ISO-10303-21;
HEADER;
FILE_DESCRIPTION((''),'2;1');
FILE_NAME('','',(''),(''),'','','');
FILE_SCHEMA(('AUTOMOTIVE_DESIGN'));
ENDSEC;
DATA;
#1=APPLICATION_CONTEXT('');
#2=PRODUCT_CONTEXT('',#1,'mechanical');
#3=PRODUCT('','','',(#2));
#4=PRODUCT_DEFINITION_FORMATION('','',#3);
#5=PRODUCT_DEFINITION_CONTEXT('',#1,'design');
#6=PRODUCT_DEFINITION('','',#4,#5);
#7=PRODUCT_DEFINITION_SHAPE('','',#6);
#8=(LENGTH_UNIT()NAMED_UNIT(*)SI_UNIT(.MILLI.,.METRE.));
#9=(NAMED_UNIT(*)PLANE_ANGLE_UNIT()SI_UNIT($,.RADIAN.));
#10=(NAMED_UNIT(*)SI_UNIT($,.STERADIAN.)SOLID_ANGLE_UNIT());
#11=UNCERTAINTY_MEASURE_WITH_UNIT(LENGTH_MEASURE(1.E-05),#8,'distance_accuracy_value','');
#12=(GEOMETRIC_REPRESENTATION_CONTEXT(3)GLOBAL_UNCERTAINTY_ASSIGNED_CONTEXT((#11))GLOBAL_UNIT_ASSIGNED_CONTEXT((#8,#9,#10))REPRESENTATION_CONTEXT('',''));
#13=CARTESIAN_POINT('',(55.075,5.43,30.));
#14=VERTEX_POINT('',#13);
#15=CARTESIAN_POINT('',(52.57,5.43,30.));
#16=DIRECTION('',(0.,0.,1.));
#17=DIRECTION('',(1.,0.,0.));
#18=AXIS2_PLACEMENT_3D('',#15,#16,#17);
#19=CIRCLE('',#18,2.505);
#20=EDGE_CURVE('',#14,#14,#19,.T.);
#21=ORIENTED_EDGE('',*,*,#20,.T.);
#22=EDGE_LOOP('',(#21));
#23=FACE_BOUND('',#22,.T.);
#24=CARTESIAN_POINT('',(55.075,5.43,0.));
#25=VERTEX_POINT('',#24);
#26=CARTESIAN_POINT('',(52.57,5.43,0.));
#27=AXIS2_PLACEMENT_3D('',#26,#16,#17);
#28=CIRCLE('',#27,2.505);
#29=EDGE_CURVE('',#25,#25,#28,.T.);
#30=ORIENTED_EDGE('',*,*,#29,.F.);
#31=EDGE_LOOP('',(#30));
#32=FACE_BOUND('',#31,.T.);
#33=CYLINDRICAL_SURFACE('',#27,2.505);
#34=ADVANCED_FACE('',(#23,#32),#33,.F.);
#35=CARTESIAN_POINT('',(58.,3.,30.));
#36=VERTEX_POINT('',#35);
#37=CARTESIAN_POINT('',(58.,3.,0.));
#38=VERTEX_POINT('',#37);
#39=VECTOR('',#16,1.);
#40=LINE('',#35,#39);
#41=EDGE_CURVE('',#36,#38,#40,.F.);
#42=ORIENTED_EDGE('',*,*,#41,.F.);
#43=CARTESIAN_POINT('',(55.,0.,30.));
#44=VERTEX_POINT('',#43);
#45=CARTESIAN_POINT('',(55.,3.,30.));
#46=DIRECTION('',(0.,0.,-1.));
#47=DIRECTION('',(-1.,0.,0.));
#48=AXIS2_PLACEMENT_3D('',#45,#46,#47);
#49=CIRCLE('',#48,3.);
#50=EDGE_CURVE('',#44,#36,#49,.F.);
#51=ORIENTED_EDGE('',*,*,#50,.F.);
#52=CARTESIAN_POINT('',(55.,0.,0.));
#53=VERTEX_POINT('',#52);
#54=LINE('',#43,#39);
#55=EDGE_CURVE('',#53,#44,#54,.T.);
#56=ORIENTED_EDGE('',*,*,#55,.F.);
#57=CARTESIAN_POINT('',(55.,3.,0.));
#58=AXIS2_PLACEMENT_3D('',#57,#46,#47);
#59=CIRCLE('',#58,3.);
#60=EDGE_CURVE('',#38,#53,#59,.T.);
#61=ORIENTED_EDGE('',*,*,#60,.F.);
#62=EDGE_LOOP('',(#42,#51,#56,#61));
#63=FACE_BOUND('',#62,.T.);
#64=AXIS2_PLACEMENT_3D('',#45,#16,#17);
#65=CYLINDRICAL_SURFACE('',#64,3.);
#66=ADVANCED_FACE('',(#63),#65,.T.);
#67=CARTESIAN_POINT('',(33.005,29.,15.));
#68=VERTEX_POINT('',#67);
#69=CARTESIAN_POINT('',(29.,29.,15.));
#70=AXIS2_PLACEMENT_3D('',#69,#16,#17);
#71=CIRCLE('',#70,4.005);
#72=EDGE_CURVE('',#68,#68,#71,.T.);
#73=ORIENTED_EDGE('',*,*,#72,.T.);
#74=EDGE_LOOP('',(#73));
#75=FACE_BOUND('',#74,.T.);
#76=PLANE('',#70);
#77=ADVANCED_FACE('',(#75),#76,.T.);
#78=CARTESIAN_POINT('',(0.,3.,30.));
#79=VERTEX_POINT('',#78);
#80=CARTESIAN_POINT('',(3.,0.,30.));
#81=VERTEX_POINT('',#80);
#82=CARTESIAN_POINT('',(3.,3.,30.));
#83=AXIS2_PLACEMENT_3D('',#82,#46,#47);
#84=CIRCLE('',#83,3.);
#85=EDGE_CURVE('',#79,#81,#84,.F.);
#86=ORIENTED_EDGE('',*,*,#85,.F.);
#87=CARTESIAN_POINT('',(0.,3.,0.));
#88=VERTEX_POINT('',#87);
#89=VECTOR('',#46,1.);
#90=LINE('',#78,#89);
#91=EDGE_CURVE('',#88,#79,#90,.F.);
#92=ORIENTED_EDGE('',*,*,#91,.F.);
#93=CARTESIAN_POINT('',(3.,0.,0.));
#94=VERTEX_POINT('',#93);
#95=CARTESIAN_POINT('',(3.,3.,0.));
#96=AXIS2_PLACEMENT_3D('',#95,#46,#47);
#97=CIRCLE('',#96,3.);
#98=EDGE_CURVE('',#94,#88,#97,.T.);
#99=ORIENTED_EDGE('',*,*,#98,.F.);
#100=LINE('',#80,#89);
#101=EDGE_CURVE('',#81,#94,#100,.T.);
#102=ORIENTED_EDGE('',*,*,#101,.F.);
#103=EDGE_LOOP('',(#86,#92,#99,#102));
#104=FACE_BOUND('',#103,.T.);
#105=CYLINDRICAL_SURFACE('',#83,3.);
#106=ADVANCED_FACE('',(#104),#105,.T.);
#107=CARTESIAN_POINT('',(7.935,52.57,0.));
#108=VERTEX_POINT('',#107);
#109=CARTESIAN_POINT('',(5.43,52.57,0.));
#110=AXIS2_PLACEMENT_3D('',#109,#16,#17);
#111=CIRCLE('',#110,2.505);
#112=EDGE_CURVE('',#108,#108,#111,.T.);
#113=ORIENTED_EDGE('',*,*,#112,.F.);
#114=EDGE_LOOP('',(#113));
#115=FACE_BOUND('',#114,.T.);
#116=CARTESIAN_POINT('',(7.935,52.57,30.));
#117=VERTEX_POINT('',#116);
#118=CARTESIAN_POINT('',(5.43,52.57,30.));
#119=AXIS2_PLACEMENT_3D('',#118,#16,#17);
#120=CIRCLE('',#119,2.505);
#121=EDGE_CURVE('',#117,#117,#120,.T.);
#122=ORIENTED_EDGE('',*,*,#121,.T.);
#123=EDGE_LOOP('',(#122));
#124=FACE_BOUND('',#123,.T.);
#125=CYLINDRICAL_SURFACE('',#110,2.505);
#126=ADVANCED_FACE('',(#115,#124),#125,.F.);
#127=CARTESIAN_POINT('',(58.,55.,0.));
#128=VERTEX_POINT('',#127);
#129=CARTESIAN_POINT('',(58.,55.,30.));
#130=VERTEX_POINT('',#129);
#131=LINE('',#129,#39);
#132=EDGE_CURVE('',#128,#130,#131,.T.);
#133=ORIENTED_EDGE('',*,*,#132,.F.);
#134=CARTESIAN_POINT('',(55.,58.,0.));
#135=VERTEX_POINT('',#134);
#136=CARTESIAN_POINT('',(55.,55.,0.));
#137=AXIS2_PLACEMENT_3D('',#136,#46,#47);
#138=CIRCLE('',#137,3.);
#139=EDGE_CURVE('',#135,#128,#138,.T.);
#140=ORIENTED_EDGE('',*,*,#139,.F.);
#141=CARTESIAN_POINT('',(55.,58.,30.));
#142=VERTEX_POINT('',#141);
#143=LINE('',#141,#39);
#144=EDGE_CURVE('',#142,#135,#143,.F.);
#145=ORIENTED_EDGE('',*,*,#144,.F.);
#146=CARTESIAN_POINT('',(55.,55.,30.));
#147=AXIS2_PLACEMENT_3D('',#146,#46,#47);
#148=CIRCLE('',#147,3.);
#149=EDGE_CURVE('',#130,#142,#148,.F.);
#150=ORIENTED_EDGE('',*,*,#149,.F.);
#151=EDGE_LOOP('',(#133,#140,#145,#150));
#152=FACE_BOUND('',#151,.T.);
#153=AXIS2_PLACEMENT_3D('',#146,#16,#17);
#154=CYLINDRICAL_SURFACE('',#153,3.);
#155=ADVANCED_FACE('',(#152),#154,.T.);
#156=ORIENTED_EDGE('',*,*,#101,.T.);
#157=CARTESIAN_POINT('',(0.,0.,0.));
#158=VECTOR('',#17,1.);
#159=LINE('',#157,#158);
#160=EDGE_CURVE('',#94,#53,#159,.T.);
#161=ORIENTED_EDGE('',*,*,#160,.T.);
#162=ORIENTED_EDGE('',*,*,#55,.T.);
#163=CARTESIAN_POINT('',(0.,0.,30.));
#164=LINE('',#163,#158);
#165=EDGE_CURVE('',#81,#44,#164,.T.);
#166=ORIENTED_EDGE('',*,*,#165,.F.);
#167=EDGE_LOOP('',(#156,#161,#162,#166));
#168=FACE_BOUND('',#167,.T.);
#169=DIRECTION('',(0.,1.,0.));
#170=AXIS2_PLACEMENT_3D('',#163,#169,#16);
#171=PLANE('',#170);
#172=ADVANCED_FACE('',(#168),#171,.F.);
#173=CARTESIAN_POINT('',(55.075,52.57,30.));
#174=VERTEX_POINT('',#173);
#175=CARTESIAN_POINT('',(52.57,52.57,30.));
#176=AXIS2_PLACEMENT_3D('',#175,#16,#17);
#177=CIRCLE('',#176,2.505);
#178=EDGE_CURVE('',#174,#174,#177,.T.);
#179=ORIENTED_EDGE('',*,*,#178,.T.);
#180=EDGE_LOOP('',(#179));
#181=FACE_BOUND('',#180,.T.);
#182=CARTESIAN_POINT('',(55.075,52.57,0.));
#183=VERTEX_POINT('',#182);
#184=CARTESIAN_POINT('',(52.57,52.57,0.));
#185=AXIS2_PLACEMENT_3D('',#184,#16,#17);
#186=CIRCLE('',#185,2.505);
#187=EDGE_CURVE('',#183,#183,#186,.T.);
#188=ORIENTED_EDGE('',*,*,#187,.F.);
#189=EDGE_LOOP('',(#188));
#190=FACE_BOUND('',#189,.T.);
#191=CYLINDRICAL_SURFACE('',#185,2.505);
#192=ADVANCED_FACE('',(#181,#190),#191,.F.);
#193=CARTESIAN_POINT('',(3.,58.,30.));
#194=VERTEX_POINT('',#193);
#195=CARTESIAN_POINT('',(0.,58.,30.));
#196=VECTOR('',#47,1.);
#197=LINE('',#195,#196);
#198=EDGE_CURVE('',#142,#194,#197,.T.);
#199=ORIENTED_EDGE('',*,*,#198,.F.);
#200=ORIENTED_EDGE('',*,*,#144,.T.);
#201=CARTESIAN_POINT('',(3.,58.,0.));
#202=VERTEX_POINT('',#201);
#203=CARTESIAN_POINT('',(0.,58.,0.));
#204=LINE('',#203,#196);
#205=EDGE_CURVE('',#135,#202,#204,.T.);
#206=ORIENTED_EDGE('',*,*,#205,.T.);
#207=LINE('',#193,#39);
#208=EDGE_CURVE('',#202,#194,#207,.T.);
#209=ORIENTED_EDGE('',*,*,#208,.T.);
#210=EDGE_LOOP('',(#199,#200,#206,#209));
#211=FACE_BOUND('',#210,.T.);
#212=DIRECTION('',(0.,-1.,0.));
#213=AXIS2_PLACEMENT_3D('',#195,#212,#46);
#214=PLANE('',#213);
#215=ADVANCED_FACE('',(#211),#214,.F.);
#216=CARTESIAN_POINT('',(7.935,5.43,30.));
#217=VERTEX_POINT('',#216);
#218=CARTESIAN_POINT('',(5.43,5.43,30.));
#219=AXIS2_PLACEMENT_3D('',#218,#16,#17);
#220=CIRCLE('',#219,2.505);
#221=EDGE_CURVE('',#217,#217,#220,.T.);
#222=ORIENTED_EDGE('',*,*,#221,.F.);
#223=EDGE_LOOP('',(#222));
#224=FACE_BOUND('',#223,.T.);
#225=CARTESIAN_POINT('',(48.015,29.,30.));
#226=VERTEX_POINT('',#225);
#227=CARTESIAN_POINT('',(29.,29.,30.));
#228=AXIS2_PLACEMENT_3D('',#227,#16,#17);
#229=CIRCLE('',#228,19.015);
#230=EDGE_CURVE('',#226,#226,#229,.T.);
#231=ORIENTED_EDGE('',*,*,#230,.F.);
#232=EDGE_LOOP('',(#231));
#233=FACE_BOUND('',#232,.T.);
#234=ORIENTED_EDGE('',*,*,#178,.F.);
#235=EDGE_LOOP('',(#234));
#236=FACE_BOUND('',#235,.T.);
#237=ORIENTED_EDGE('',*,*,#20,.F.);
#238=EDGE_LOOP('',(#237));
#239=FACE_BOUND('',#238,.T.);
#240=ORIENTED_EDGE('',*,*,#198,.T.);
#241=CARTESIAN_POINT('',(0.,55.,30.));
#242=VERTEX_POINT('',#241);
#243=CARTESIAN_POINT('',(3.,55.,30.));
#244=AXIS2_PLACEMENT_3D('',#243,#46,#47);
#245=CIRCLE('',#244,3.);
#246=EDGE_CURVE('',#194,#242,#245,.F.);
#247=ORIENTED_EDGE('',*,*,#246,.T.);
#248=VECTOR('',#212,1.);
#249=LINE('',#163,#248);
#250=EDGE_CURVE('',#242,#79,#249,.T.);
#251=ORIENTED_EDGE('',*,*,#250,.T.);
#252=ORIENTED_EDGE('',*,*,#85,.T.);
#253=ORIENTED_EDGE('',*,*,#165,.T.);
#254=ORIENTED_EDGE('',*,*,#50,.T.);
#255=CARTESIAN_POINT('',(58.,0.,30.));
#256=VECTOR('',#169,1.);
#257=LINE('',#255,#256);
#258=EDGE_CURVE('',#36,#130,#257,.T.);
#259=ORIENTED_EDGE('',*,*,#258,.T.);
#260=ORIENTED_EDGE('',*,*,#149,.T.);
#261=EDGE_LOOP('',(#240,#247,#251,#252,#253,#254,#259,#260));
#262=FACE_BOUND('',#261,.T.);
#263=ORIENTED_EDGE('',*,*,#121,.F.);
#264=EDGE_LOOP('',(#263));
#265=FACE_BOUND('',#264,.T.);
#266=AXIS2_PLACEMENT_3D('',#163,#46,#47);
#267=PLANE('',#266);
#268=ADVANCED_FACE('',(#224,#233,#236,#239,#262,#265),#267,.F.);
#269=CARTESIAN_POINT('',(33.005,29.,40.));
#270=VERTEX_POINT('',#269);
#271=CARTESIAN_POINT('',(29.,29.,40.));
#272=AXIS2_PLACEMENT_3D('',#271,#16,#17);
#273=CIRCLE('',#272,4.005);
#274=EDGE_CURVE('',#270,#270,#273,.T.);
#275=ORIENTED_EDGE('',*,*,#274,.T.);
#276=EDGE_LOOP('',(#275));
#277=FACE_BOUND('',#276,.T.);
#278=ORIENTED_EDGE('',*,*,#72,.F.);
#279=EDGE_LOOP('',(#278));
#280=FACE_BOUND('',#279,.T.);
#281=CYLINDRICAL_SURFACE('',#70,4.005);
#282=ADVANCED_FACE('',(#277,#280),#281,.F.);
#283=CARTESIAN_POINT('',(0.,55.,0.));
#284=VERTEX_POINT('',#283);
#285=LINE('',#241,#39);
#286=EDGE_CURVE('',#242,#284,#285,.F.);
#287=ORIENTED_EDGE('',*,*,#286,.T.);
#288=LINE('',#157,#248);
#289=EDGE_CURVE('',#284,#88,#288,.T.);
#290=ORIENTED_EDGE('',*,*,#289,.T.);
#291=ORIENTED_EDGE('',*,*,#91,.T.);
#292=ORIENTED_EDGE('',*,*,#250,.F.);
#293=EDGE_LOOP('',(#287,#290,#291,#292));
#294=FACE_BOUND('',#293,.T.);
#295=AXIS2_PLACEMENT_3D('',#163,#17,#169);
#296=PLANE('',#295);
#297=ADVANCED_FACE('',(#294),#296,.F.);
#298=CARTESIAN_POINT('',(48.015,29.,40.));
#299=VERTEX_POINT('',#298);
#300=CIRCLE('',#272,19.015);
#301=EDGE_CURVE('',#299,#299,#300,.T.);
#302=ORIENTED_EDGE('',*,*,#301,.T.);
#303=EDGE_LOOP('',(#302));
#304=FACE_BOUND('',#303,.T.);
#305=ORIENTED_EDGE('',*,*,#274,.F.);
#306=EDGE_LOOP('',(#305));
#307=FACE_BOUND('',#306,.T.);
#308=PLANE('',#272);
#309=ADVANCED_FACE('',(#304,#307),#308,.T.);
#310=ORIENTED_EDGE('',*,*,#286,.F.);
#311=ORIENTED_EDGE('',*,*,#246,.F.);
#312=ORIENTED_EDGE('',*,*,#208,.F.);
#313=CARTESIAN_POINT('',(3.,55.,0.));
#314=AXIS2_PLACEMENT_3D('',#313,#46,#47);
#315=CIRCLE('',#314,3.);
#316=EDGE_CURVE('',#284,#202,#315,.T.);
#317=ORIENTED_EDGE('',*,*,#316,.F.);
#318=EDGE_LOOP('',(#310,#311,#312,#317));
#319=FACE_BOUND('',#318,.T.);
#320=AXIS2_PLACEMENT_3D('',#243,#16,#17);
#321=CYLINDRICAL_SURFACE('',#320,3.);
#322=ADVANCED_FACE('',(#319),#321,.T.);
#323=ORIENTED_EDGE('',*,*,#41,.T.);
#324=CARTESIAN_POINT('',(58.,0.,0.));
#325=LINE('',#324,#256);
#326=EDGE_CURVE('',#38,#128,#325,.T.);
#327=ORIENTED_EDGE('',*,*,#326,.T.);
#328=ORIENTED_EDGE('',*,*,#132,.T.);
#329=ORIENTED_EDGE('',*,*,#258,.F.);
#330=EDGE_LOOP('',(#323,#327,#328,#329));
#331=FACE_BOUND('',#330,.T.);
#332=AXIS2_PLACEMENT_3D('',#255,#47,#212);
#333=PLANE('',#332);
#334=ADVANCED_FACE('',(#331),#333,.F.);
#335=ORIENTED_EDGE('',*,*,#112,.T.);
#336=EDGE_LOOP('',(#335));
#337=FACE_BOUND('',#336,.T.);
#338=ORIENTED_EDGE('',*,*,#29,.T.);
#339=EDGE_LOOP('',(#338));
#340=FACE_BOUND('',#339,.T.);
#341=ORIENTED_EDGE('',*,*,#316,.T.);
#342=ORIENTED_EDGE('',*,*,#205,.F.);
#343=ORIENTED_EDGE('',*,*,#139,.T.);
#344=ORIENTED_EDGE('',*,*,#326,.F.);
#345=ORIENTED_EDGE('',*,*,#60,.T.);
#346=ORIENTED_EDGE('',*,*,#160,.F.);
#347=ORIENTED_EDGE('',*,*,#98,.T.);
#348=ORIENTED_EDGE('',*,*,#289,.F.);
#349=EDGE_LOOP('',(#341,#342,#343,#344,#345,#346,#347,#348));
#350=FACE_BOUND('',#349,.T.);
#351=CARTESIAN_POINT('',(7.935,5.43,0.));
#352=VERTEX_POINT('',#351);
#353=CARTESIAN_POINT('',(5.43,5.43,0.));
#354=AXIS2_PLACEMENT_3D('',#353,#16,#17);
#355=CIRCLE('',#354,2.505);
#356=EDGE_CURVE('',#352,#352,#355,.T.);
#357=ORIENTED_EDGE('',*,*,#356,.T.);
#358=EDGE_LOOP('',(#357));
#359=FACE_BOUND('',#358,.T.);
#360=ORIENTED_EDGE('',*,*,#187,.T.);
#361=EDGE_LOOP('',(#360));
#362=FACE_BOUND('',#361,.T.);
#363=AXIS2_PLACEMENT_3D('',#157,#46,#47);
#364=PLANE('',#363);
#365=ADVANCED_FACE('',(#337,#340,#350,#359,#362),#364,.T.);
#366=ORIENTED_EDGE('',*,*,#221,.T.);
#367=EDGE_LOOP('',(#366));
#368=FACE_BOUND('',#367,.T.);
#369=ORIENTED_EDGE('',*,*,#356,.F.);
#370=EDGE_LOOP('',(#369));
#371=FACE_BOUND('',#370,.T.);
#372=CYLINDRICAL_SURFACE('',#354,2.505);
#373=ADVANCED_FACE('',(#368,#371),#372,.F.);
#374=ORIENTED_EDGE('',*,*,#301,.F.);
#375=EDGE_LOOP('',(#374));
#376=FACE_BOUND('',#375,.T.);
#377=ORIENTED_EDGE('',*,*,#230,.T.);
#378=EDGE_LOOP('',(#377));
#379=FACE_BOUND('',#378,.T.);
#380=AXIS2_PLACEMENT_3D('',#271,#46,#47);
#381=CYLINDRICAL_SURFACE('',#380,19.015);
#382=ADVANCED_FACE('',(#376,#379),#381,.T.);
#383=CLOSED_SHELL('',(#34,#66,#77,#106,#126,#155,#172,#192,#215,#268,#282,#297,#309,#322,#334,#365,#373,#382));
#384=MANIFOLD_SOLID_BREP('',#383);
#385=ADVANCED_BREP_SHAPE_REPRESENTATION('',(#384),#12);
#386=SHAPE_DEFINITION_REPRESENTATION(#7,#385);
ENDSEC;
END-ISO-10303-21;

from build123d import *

# Parameters (mm, degrees)
SKETCH_1_W          = 58
SKETCH_1_H          = 58
EXTRUDE_1_DEPTH     = 30
SKETCH_2_R          = 19.015
EXTRUDE_2_DEPTH     = 10
SKETCH_3_R          = 4.005
CUT_EXTRUDE_2_DEPTH = 25
SKETCH_4_R          = 2.505
CUT_EXTRUDE_3_DEPTH = 88.338422244
FILLET_1_R          = 3
FILLET_2_R          = 3
FILLET_3_R          = 3
FILLET_4_R          = 3


with BuildPart() as part:
    # 草图1 → 凸台-拉伸1 (new body)
    with BuildSketch(Plane.XY):
        with Locations((29, 29)):
            Rectangle(SKETCH_1_W, SKETCH_1_H)
    extrude(amount=EXTRUDE_1_DEPTH)

    # 草图2 → 凸台-拉伸2 (add)
    with BuildSketch(Plane.XY.offset(30)):
        with Locations((29, 29)):
            Circle(SKETCH_2_R)
    extrude(amount=EXTRUDE_2_DEPTH)

    # 草图3 → 切除-拉伸2 (cut)
    with BuildSketch(Plane.XY.offset(40)):
        with Locations((29, 29)):
            Circle(SKETCH_3_R)
    extrude(amount=-CUT_EXTRUDE_2_DEPTH, mode=Mode.SUBTRACT)

    # 草图4 → 切除-拉伸3 (cut, through all)
    with BuildSketch(Plane.XY.offset(30)):
        with Locations((52.57, 52.57)):
            Circle(SKETCH_4_R)
        with Locations((5.43, 52.57)):
            Circle(SKETCH_4_R)
        with Locations((5.43, 5.43)):
            Circle(SKETCH_4_R)
        with Locations((52.57, 5.43)):
            Circle(SKETCH_4_R)
    extrude(amount=-CUT_EXTRUDE_3_DEPTH, mode=Mode.SUBTRACT)

    # 圆角1
    fillet_1_edges = [part.edges().sort_by_distance(p)[0] for p in [
        (58, 58, 15),
    ]]
    fillet(fillet_1_edges, radius=FILLET_1_R)

    # 圆角2
    fillet_2_edges = [part.edges().sort_by_distance(p)[0] for p in [
        (58, 0, 15),
    ]]
    fillet(fillet_2_edges, radius=FILLET_2_R)

    # 圆角3
    fillet_3_edges = [part.edges().sort_by_distance(p)[0] for p in [
        (0, 58, 15),
    ]]
    fillet(fillet_3_edges, radius=FILLET_3_R)

    # 圆角4
    fillet_4_edges = [part.edges().sort_by_distance(p)[0] for p in [
        (0, 0, 15),
    ]]
    fillet(fillet_4_edges, radius=FILLET_4_R)


solid = part.part
